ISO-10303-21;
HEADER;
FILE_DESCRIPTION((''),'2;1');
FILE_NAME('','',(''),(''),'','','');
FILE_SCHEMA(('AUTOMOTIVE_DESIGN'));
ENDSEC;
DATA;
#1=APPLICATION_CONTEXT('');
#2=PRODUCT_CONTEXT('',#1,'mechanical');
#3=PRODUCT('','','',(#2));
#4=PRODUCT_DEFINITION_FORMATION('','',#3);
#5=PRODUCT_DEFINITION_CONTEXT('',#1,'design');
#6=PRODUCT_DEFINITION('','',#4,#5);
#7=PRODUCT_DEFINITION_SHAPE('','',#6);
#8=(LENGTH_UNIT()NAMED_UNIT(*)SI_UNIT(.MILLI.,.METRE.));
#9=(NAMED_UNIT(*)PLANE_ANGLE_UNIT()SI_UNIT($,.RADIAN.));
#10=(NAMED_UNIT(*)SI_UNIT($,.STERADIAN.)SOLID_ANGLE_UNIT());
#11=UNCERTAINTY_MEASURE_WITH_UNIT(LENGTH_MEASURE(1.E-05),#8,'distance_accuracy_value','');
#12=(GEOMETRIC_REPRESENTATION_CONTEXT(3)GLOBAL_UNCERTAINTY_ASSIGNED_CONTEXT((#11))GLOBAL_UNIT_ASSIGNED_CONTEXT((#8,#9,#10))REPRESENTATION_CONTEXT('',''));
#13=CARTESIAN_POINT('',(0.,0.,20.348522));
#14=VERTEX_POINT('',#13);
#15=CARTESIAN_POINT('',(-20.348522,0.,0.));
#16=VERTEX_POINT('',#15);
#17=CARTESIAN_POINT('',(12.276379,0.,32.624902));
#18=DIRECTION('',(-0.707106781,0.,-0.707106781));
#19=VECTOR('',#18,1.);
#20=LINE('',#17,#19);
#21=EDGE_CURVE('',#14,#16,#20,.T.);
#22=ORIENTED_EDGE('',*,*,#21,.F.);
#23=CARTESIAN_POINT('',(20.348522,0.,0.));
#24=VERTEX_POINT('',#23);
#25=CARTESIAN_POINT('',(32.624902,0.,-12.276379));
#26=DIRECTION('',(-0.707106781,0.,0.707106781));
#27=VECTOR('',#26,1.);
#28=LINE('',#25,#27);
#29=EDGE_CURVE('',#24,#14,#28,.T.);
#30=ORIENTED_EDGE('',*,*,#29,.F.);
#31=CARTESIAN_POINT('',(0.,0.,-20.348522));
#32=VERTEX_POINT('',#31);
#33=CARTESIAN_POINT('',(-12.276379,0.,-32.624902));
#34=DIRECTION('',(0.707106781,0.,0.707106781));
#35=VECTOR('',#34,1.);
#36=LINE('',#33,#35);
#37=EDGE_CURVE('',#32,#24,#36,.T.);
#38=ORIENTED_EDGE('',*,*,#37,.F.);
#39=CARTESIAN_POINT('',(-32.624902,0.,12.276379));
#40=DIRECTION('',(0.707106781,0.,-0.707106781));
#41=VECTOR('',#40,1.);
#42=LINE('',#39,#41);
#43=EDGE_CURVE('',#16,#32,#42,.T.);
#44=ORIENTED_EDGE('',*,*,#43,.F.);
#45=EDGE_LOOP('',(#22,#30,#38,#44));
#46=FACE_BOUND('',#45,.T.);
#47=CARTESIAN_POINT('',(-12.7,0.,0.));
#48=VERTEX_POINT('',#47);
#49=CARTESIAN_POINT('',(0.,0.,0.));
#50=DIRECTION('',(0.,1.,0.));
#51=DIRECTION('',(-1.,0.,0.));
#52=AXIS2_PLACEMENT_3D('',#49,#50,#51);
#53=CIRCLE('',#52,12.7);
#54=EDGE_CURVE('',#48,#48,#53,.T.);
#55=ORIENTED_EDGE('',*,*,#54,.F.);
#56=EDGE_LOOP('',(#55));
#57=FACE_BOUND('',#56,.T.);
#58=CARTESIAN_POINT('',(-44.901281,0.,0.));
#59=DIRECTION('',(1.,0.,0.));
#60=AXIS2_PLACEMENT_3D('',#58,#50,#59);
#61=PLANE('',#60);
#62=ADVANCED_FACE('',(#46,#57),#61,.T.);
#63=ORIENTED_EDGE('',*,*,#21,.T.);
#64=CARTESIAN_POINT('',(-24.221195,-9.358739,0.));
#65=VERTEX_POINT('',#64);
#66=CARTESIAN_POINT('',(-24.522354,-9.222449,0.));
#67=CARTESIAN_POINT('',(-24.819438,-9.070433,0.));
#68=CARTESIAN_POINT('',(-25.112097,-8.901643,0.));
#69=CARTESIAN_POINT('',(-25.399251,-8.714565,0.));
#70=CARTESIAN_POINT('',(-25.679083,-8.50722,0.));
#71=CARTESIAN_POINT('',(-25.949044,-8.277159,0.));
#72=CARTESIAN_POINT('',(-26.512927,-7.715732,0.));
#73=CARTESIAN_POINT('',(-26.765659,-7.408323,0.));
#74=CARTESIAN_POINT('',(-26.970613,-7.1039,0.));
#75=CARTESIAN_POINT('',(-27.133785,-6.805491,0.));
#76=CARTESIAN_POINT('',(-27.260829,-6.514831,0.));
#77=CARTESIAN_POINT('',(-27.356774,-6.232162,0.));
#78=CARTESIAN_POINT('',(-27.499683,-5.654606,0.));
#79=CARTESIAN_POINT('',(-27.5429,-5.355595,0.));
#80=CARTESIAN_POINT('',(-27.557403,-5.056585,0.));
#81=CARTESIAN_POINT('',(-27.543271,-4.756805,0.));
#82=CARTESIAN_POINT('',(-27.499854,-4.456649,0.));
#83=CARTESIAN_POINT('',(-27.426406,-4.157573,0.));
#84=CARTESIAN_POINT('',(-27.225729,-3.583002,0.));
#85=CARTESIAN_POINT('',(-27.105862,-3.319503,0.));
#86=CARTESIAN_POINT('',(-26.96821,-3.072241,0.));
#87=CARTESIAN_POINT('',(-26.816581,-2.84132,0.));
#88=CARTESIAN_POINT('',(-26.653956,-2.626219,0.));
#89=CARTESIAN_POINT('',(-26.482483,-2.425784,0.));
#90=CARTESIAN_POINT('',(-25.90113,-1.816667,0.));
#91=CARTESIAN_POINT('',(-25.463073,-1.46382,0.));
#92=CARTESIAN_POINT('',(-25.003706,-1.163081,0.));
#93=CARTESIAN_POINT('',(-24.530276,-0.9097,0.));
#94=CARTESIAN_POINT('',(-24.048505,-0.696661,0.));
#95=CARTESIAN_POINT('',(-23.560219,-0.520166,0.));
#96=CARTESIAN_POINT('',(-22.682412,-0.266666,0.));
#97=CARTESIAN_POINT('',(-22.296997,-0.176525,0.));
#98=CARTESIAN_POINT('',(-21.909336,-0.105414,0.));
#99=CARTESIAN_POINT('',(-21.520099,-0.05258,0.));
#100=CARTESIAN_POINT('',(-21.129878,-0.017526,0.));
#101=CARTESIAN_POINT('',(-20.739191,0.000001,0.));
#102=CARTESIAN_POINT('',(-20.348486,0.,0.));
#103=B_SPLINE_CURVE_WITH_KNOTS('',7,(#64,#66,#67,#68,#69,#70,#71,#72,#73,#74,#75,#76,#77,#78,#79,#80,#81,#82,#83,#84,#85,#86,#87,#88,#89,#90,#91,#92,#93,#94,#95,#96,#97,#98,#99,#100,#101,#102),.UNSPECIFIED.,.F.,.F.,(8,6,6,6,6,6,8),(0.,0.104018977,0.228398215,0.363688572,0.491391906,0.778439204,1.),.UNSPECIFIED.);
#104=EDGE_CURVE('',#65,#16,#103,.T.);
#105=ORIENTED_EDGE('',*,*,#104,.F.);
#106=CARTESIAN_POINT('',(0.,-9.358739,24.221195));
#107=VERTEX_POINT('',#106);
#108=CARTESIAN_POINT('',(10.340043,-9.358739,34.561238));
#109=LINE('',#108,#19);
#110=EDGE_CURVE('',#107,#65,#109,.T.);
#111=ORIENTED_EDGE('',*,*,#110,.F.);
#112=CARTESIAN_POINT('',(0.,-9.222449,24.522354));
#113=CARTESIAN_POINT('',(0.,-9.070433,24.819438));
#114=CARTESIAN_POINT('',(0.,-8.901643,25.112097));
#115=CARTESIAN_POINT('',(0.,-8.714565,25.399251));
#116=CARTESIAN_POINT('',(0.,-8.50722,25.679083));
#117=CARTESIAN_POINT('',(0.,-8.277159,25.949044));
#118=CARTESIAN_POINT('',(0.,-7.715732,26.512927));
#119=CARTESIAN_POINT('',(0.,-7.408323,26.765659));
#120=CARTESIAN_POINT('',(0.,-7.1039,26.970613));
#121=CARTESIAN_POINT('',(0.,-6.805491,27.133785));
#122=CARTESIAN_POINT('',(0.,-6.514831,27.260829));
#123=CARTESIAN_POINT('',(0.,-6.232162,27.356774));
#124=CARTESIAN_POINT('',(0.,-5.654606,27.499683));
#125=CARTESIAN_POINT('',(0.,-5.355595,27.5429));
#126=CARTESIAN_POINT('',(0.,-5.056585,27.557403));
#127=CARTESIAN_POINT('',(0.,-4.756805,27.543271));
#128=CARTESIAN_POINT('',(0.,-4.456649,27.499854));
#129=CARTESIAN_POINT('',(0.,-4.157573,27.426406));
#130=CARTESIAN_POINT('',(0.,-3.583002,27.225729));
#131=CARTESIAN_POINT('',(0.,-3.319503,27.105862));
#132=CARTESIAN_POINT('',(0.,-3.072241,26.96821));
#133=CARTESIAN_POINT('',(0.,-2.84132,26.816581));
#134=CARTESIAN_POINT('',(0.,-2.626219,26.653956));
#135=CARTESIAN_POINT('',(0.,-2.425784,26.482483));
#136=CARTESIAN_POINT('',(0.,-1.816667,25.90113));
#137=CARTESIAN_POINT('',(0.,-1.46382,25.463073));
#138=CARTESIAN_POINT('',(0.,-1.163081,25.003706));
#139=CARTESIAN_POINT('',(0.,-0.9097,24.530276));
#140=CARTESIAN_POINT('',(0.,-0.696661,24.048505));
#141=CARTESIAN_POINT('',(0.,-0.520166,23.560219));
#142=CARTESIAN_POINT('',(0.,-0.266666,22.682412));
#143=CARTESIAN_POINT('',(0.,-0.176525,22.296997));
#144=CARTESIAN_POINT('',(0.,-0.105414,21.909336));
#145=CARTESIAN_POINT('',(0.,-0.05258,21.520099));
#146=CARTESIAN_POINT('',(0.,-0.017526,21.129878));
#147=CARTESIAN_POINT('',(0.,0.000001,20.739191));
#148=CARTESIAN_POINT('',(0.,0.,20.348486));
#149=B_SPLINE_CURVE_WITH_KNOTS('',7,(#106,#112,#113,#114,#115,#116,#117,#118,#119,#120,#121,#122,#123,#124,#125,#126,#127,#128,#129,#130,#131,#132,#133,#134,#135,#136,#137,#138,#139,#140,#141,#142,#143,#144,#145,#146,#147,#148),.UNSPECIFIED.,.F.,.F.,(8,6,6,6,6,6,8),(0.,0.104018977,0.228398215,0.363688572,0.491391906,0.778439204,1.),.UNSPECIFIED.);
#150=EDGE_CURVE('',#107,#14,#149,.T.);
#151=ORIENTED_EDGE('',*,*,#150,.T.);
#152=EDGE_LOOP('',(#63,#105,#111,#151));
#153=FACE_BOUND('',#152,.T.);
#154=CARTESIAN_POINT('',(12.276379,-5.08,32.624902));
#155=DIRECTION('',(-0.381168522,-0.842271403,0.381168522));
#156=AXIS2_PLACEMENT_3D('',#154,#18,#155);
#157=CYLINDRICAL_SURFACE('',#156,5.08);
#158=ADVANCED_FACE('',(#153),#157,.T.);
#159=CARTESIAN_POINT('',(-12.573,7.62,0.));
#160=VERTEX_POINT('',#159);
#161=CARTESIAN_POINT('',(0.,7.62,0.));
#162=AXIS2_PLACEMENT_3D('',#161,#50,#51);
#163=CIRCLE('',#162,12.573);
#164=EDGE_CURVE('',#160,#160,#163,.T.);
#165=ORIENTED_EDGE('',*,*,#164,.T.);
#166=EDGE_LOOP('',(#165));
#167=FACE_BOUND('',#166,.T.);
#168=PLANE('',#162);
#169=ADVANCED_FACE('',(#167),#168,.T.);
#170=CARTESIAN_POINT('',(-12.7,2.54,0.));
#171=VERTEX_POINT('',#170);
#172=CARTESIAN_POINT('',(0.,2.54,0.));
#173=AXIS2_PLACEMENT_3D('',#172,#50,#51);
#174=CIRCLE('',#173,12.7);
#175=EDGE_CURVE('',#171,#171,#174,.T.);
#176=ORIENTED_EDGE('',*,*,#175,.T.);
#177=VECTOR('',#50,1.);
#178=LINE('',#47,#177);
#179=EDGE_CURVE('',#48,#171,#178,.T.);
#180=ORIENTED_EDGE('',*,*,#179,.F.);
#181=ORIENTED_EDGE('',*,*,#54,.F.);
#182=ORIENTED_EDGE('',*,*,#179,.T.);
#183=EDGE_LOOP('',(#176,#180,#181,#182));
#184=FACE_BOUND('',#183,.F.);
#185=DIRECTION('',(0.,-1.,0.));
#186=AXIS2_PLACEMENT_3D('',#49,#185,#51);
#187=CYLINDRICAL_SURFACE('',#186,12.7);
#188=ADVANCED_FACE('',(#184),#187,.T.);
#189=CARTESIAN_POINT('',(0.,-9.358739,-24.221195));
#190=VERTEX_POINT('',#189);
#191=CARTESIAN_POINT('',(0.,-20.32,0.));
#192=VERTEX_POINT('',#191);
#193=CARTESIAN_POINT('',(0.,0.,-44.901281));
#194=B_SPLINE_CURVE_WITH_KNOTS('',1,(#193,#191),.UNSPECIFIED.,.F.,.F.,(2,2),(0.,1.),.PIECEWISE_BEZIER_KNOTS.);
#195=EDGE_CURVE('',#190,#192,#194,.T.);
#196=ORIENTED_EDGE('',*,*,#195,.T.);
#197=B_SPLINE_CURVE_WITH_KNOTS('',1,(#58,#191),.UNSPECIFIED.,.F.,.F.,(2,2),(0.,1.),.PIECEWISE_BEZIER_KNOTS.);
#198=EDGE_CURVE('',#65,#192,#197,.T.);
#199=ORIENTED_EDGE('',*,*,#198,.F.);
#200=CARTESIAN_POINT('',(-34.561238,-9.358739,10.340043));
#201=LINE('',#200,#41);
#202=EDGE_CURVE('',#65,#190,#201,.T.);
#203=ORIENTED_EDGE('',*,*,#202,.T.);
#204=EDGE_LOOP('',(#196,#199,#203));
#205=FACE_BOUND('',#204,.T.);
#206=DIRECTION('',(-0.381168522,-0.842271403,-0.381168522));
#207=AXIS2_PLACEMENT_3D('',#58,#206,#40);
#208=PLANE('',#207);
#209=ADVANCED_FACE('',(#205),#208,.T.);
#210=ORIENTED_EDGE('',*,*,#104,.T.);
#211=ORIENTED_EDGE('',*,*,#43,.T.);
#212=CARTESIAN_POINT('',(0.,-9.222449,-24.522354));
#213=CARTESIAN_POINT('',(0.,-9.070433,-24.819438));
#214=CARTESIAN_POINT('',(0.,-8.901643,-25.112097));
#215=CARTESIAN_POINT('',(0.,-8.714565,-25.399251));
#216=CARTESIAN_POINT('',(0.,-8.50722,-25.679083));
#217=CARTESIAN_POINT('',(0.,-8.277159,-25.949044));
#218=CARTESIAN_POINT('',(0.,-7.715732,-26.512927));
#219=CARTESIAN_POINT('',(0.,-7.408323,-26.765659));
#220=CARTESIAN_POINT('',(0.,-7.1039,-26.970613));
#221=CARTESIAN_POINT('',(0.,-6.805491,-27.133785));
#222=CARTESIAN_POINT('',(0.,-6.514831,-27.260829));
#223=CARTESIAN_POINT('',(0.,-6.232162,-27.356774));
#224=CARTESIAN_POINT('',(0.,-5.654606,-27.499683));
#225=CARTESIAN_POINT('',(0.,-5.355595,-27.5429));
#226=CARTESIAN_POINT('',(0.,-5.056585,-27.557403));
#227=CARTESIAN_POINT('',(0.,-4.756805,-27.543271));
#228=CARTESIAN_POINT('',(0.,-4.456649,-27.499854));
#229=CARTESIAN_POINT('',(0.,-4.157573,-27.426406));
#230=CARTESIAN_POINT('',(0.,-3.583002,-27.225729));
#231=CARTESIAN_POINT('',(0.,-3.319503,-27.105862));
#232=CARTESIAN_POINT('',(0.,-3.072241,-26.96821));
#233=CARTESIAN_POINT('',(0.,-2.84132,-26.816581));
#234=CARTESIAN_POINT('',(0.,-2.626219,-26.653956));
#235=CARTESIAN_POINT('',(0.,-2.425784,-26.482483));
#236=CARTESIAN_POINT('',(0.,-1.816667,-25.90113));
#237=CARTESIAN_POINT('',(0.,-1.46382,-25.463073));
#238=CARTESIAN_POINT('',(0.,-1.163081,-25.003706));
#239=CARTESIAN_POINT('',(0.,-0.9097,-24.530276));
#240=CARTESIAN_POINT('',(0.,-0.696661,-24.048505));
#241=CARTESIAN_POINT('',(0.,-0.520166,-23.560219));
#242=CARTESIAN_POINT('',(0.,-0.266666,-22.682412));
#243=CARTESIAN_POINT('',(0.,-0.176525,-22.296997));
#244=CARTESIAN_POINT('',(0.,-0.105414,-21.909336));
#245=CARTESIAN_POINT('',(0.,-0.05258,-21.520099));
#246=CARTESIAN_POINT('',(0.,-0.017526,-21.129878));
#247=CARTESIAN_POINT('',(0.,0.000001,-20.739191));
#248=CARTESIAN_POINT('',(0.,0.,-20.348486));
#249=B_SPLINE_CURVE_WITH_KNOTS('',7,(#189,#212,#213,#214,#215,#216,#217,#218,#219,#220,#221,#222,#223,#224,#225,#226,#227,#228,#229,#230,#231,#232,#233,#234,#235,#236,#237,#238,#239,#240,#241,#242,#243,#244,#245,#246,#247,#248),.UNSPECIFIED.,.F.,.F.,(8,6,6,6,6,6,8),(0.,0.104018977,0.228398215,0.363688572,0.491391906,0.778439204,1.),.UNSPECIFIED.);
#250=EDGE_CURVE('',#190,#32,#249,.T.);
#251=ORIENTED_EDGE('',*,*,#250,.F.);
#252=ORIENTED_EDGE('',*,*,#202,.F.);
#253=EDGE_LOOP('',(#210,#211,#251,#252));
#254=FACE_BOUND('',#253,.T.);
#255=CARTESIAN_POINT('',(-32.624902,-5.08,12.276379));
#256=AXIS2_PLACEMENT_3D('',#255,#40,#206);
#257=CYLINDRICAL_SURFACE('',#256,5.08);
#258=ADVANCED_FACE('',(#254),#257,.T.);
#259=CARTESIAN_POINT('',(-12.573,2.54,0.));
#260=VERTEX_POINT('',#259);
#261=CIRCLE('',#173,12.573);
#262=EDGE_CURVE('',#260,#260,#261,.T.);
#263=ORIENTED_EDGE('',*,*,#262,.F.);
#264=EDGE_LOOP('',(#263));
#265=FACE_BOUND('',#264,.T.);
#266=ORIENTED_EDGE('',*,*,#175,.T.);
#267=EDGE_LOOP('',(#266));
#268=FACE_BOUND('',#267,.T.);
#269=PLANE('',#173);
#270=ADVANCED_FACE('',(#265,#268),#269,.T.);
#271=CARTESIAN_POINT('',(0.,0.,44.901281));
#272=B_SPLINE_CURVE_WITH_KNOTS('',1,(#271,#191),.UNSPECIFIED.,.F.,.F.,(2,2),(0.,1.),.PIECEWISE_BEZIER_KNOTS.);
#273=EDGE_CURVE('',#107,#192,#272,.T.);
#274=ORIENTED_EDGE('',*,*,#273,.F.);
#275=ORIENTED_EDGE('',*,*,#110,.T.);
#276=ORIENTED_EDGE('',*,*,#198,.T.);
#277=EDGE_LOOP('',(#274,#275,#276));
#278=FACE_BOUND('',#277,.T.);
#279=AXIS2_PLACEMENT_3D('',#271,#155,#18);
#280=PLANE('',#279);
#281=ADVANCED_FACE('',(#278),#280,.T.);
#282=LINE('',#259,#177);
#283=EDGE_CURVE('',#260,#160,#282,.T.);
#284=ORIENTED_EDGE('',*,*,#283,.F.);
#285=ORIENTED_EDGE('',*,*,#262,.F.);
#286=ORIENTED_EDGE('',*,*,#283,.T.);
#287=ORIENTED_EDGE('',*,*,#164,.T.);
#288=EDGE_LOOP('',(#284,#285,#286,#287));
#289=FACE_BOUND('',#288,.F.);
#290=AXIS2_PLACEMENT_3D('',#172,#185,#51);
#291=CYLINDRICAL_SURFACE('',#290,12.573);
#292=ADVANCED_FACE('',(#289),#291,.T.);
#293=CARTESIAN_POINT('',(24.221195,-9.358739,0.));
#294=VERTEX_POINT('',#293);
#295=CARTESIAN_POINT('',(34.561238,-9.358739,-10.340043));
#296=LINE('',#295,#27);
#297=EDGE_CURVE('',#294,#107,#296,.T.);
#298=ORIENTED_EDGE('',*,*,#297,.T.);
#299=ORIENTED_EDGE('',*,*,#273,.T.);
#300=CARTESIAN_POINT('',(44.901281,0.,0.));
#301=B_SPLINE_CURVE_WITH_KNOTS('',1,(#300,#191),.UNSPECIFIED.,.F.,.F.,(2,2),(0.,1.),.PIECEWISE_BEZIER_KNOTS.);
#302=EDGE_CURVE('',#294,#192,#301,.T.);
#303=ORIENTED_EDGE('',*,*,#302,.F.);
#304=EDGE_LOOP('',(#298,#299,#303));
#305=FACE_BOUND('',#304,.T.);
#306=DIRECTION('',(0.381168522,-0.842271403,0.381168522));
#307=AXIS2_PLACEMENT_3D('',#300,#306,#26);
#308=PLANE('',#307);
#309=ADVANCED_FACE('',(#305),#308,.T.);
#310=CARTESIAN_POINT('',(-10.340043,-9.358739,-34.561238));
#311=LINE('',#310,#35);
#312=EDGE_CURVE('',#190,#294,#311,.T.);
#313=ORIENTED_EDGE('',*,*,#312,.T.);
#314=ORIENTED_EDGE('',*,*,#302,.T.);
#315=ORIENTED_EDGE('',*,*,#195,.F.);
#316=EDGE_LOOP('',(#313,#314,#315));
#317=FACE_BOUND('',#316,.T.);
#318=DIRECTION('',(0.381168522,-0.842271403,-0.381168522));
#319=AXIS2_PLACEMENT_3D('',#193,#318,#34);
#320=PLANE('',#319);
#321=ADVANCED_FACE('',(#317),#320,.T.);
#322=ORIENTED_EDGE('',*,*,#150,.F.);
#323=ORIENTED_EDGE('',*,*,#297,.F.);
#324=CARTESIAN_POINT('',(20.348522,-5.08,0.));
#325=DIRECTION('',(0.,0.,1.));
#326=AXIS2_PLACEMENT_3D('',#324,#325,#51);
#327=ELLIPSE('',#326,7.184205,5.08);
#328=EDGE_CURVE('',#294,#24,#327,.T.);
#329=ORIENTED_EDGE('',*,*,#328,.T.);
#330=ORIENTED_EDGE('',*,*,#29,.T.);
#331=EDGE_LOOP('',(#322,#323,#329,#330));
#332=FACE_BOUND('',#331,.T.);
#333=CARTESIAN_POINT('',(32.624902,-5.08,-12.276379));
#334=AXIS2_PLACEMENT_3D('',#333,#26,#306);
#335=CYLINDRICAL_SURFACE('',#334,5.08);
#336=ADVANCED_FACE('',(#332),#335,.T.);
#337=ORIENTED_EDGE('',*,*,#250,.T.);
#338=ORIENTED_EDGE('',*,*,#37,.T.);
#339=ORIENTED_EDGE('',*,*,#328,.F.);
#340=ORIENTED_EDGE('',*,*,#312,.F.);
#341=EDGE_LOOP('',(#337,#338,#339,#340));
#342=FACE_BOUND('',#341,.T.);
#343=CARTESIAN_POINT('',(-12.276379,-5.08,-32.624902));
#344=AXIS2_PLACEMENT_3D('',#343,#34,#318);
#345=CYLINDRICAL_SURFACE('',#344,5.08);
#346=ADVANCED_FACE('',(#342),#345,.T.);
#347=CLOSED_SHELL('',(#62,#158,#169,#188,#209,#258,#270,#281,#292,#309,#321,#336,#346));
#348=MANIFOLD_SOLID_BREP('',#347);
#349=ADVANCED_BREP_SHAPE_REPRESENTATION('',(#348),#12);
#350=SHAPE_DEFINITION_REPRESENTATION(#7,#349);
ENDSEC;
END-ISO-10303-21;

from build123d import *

# Parameters (mm, degrees)
F3_R     = 5.08
F4_R     = 12.7
F5_DEPTH = 2.54
F6_R     = 12.573
F7_DEPTH = 5.08


with BuildPart() as f2:
    # F0 (on Front) → F2 section 0
    with BuildSketch(Plane.XZ, mode=Mode.PRIVATE) as f2_s0:
        Polygon((-44.901281, 0), (0, -44.901281), (44.901281, 0), (0, 44.901281), align=None)
    loft([f2_s0.sketch, Vertex(0, -20.32, 0)])

    # F3
    f3_edges = [f2.edges().sort_by_distance(p)[0] for p in [
        (22.45064, 0, 22.45064),
        (-22.45064, 0, 22.45064),
        (-22.45064, 0, -22.45064),
        (22.45064, 0, -22.45064),
    ]]
    fillet(f3_edges, radius=F3_R)

    # F4 (on face) → F5 (join)
    with BuildSketch(Plane(origin=(0, 0, 0), x_dir=(-1, 0, 0), z_dir=(0, 1, 0))):
        Circle(F4_R)
    extrude(amount=F5_DEPTH)

    # F6 (on face) → F7 (join)
    with BuildSketch(Plane(origin=(0, 2.54, 0), x_dir=(-1, 0, 0), z_dir=(0, 1, 0))):
        Circle(F6_R)
    extrude(amount=F7_DEPTH)


solid = f2.part
